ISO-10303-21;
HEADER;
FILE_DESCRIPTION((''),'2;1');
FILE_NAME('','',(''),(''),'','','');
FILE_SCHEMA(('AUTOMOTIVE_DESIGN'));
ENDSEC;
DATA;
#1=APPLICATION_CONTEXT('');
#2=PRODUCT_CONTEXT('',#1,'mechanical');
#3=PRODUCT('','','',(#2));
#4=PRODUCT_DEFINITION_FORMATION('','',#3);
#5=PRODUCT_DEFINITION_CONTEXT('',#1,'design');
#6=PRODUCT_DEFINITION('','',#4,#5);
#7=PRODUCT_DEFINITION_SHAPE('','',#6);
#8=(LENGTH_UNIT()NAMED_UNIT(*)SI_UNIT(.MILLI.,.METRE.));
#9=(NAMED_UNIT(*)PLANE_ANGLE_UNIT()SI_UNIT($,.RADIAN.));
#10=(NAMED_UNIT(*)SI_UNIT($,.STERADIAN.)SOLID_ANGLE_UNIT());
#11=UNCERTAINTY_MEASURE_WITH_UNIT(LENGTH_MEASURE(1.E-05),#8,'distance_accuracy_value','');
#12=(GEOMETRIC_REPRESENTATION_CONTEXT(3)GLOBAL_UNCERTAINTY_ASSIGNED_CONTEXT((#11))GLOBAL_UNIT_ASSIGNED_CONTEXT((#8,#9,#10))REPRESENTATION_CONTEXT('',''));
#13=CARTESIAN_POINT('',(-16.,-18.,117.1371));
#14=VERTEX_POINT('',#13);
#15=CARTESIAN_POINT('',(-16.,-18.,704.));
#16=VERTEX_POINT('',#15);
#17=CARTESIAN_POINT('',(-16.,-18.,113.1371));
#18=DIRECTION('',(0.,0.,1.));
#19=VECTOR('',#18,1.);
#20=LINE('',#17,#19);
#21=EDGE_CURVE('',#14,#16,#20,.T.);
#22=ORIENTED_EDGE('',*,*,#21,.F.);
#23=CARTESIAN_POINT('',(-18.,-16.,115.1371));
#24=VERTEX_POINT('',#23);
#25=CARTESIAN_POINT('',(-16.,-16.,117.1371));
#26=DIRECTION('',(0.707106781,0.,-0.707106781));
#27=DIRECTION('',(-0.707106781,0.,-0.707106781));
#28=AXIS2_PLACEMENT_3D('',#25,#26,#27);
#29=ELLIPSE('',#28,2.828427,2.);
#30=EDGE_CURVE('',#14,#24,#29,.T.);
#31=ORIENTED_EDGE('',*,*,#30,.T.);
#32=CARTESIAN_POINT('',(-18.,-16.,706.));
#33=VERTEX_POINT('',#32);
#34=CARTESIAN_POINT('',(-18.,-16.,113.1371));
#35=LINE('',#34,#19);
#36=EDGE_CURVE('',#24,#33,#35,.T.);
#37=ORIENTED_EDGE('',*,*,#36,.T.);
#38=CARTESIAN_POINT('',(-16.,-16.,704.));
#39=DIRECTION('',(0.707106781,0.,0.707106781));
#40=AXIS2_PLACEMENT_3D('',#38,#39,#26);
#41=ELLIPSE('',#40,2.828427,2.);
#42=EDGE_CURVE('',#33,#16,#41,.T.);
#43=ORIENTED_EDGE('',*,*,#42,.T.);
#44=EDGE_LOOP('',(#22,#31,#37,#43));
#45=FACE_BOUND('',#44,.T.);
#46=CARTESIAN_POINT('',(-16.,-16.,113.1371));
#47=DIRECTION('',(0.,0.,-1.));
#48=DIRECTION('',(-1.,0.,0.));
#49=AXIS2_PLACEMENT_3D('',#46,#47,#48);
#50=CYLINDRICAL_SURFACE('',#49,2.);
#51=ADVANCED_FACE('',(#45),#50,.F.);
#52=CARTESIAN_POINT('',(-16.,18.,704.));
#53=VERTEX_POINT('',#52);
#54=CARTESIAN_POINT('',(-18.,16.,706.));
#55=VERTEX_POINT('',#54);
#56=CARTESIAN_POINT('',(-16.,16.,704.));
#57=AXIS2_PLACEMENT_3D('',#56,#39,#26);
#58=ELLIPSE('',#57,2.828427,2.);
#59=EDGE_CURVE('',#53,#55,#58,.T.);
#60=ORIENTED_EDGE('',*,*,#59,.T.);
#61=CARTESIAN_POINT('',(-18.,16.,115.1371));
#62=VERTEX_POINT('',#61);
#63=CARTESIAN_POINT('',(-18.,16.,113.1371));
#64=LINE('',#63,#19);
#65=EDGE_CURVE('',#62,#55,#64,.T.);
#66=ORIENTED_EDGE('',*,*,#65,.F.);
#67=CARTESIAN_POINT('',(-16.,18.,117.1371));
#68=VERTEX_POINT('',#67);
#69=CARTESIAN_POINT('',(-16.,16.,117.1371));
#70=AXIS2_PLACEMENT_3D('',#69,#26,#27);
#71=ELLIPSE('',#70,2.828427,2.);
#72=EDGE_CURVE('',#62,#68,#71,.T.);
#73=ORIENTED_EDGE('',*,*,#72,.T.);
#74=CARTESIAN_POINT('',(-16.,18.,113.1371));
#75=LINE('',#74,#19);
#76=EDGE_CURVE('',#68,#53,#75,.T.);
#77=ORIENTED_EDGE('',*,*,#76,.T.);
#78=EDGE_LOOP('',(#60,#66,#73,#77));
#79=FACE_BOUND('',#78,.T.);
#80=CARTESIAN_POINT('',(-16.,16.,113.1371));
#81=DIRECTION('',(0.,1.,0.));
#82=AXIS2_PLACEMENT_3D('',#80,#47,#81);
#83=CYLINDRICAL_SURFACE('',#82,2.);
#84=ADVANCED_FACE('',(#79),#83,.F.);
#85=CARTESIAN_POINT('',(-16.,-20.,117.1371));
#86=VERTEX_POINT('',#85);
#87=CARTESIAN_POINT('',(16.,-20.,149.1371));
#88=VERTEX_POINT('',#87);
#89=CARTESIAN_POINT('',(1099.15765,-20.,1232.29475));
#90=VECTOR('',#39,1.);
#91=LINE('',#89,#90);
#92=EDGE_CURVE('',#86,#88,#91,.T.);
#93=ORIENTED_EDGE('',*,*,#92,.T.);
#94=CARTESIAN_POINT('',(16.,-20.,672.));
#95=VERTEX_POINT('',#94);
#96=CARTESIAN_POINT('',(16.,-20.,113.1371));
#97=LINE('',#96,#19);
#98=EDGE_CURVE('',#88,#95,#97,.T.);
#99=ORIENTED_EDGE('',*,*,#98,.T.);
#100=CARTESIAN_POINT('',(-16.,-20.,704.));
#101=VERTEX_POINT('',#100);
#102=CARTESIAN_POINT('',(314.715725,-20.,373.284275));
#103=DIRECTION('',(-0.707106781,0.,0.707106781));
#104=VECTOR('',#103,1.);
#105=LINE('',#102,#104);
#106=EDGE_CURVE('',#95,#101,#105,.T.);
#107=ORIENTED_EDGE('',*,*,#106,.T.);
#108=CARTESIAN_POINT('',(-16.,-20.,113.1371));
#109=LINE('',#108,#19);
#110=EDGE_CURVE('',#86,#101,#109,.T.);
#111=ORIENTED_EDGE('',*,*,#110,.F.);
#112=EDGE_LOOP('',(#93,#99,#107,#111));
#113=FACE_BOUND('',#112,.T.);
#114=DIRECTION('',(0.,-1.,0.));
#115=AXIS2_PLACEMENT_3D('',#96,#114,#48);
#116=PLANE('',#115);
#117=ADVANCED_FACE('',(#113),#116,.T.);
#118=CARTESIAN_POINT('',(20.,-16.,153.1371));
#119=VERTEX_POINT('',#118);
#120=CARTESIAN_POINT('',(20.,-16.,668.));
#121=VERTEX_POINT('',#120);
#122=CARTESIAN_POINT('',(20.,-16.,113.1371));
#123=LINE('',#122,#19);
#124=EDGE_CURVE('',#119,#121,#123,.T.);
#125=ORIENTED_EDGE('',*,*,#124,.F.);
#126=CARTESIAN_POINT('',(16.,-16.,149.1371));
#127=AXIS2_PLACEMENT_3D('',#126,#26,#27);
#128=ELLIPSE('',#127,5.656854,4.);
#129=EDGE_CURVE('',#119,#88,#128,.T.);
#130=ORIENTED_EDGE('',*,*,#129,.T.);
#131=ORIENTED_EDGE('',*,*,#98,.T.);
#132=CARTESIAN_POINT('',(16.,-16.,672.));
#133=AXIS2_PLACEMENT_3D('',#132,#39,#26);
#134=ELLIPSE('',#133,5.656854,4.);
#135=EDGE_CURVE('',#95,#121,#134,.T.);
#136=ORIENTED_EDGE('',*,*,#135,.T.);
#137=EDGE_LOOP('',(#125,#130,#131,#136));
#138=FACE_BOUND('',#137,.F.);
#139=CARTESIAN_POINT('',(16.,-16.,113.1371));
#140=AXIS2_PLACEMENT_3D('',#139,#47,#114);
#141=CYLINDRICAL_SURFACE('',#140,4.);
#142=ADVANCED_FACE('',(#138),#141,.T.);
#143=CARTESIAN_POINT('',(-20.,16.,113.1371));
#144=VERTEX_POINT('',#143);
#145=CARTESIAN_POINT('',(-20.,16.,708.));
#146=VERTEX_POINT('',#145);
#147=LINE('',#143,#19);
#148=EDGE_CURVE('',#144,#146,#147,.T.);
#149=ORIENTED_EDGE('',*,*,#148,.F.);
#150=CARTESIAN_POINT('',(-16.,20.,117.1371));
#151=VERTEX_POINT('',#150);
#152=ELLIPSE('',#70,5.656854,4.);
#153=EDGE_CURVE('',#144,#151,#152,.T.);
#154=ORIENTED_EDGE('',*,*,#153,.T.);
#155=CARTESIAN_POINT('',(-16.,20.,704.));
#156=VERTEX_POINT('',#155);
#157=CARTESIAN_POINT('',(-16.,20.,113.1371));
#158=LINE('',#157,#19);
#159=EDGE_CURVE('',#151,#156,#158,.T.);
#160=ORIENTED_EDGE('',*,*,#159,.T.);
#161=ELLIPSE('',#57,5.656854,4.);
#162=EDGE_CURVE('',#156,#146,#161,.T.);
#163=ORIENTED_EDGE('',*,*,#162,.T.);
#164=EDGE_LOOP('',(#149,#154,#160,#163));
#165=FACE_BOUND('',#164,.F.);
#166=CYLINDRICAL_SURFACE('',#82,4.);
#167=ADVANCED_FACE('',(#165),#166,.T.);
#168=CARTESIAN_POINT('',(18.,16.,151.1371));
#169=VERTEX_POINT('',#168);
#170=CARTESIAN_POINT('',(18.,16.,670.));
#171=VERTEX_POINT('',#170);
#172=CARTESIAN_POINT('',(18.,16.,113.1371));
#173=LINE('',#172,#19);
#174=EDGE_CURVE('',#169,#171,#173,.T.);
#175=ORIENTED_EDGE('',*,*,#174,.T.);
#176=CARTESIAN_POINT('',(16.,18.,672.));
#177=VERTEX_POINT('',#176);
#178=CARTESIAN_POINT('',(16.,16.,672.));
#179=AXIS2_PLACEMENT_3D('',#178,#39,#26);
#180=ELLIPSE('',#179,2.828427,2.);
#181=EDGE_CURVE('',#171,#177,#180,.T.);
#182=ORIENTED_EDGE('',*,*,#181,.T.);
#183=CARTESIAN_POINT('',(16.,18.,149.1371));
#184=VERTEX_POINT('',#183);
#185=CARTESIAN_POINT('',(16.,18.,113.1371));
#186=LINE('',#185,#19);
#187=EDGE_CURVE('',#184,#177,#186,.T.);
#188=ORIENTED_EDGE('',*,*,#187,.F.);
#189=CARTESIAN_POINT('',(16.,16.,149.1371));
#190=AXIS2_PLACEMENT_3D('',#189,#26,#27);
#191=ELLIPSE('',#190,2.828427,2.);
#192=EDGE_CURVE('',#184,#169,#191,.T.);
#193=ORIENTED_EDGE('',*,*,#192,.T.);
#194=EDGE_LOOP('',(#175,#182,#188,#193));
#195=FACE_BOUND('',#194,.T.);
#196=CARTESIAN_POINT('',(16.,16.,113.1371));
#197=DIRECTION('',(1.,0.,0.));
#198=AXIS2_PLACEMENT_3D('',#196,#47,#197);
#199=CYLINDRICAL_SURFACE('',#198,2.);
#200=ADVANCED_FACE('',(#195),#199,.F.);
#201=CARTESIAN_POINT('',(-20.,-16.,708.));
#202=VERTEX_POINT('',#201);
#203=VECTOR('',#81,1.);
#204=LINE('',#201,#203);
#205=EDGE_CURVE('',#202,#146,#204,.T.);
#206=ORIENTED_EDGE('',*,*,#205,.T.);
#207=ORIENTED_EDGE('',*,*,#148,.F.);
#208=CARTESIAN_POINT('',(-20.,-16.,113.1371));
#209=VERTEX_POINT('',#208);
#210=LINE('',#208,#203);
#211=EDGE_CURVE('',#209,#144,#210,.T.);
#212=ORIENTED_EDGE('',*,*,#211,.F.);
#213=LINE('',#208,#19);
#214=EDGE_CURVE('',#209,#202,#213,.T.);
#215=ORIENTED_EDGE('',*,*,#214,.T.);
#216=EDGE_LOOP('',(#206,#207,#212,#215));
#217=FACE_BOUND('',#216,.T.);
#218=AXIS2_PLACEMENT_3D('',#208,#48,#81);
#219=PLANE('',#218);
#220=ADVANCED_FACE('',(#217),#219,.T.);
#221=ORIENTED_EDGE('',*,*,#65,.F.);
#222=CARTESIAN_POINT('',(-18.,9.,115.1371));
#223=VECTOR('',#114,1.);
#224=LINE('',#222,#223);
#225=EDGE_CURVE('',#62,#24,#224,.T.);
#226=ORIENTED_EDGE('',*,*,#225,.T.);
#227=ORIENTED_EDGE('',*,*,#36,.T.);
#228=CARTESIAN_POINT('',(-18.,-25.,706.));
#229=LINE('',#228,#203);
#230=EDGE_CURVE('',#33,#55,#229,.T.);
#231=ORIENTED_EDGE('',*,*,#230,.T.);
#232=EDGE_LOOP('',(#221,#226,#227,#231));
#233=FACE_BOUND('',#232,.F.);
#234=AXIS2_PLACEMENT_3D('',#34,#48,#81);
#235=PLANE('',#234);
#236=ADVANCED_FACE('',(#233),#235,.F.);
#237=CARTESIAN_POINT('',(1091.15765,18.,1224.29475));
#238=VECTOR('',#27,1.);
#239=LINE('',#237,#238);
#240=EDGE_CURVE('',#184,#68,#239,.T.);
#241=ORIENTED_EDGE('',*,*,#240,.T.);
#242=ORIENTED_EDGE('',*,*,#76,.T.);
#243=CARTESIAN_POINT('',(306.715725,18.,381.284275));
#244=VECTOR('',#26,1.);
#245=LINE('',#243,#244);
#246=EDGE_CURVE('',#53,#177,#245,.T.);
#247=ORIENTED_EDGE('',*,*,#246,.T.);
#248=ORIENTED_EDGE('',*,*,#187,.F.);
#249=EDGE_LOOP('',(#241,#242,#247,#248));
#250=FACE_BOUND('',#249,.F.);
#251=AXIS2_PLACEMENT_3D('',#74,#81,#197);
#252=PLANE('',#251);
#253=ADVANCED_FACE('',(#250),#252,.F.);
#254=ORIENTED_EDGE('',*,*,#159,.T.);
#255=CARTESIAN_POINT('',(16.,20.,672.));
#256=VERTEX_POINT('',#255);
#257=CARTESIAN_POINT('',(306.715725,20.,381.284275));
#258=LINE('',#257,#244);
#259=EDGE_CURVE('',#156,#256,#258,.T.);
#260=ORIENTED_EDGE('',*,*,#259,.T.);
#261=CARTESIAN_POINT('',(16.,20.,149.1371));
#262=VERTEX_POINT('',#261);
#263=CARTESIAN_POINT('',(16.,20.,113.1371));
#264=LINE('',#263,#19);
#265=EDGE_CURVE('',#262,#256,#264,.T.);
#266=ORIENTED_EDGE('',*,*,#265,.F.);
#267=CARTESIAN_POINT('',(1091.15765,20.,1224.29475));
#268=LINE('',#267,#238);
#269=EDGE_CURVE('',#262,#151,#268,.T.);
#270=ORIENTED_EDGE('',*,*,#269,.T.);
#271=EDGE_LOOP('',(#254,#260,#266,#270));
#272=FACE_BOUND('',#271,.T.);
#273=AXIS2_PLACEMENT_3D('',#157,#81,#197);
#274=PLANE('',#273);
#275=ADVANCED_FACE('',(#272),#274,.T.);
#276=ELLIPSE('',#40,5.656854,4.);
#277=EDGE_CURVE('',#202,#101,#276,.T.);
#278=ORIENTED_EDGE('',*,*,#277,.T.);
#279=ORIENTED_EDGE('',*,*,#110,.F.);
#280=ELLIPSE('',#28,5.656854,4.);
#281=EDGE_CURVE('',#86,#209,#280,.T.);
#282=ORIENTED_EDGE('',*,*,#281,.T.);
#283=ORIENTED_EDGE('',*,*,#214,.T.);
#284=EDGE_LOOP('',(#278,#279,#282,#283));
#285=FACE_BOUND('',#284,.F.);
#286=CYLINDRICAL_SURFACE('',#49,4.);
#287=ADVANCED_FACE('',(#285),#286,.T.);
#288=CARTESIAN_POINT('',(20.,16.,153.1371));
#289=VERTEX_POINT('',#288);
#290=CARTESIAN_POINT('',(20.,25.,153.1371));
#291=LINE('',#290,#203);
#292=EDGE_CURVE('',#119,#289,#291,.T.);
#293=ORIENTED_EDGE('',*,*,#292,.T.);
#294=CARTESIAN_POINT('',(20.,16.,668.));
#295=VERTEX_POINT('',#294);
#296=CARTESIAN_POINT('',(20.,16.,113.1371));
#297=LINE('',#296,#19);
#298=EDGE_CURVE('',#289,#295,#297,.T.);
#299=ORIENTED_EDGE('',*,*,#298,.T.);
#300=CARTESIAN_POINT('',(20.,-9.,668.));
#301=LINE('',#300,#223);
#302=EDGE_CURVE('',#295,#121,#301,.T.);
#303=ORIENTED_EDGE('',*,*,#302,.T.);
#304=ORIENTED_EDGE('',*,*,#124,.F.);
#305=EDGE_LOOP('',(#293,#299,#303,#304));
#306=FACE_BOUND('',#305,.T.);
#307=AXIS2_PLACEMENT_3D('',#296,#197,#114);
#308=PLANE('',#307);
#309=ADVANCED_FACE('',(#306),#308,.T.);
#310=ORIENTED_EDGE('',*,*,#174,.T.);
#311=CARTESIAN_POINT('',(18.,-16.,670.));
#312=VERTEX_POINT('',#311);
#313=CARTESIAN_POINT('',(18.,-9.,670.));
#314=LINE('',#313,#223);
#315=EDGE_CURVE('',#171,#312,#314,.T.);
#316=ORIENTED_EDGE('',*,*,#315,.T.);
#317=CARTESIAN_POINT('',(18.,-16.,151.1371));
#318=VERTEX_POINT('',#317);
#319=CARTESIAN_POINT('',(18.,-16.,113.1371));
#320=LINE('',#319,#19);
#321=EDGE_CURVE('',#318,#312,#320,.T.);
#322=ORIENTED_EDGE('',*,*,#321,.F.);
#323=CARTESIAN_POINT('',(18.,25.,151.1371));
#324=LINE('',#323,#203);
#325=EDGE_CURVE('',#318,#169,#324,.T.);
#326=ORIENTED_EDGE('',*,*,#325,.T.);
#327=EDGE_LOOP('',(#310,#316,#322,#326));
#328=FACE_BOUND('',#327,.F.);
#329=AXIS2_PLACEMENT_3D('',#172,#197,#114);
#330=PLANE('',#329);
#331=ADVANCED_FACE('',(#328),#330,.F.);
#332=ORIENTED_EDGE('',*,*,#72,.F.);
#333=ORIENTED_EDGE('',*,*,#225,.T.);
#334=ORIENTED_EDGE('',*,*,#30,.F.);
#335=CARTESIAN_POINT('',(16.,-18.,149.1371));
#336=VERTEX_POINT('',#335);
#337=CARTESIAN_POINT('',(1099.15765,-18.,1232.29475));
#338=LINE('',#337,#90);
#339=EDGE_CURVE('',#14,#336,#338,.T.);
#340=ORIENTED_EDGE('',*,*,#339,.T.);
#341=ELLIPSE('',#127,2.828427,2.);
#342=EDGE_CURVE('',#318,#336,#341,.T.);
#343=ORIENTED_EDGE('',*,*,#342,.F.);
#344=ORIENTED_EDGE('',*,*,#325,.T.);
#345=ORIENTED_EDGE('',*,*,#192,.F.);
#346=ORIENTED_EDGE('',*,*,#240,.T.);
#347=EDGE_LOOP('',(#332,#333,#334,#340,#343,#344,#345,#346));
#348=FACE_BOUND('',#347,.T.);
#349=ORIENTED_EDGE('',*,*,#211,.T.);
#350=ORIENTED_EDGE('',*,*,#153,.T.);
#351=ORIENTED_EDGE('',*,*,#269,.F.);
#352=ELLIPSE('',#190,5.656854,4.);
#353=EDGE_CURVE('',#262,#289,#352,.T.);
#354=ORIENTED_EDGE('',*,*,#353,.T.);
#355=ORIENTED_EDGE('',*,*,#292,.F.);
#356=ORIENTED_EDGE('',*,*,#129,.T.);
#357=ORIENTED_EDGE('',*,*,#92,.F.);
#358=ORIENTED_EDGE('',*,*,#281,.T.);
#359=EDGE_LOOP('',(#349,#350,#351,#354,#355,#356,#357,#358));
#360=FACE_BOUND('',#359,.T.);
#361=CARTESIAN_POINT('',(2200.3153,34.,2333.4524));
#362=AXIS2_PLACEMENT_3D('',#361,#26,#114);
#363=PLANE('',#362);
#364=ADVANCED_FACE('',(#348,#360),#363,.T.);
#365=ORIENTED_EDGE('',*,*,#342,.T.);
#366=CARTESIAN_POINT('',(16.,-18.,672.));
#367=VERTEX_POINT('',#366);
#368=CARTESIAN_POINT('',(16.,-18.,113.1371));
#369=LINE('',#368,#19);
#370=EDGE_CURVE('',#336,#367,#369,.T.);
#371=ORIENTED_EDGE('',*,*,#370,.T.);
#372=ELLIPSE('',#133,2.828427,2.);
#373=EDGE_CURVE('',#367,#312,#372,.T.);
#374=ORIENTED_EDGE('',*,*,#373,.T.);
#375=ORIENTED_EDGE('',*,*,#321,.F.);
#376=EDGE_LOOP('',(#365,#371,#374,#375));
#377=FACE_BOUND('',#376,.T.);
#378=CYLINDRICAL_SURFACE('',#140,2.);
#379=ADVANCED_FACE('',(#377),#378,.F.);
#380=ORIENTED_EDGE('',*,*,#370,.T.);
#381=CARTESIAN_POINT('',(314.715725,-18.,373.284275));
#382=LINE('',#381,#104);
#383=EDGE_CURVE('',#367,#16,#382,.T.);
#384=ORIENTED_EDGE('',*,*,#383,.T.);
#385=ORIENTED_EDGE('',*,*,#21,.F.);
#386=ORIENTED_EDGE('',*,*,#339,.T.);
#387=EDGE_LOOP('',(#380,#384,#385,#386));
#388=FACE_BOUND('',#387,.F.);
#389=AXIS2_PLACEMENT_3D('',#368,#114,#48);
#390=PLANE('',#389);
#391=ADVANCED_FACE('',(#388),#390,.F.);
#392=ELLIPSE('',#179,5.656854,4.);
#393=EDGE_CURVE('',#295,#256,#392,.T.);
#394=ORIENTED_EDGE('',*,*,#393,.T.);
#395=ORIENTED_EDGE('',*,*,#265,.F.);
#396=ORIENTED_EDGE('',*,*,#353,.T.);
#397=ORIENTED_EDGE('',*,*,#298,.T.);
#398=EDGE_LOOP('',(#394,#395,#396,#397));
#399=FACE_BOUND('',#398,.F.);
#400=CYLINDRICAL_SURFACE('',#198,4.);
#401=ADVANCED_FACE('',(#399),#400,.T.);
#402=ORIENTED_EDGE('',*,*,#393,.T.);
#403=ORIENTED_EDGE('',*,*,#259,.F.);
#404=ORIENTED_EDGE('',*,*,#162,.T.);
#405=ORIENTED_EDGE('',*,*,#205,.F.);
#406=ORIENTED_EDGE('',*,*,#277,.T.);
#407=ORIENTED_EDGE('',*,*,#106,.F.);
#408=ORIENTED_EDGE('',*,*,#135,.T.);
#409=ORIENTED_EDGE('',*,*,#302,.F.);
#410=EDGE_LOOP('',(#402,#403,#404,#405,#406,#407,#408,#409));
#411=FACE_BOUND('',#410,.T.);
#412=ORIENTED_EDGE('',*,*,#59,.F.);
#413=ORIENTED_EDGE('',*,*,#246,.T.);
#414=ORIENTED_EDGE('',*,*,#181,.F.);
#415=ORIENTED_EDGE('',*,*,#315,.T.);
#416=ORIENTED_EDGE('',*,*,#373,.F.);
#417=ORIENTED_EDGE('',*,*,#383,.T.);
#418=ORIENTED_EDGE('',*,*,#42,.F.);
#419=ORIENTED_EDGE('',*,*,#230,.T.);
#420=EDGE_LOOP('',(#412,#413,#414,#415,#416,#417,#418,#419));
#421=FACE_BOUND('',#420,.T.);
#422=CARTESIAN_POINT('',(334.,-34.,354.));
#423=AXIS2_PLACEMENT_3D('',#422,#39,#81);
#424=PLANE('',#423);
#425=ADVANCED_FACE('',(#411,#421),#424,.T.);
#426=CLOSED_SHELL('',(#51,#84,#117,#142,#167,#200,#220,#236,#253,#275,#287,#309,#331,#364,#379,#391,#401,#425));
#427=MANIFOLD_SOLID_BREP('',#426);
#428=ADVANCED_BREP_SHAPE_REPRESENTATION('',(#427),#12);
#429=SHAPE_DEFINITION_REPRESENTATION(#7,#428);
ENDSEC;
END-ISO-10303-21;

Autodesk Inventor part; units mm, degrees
ref_plane "Start Plane" through (0, 0, 113.1371) normal (0, 0, 1) x (1, 0, 0)
ref_plane "End Plane" through (0, 0, 708) normal (0, 0, 1) x (1, 0, 0)
sketch "Sketch" plane through (0, 0, 0) normal (0, 0, 1) x (1, 0, 0)
  line L0 (-20, -16) -> (-20, 16)
  line L1 (-16, 20) -> (16, 20)
  line L2 (20, 16) -> (20, -16)
  line L3 (16, -20) -> (-16, -20)
  arc A0 (-20, -16) -> (-16, -20) centre (-16, -16) ccw
  arc A1 (20, 16) -> (16, 20) centre (16, 16) ccw
  arc A2 (-16, 20) -> (-20, 16) centre (-16, 16) ccw
  arc A3 (16, -20) -> (20, -16) centre (16, -16) ccw
  arc A4 (-16, 18) -> (-18, 16) centre (-16, 16) ccw
  line L4 (-16, 18) -> (16, 18)
  arc A5 (18, 16) -> (16, 18) centre (16, 16) ccw
  line L5 (18, 16) -> (18, -16)
  arc A6 (16, -18) -> (18, -16) centre (16, -16) ccw
  line L6 (16, -18) -> (-16, -18)
  arc A7 (-18, -16) -> (-16, -18) centre (-16, -16) ccw
  line L7 (-18, -16) -> (-18, 16)
  line L8 (0, 29.1598) -> (0, -29.1598) construction
  line L9 (-29.1598, 0) -> (29.1598, 0) construction
  dimension "d7" = 4
  dimension "d9" = 40
  dimension "d11" = 40
  dimension "d12" = 2
  dimension "d15" = 20
  dimension "d16" = 20
extrude "Body" add sketch "Sketch" along normal up to surface (594.8629 mm away) from surface at 113.1371
sketch "Sketch3" plane through (0, 0, 0) normal (0, 0, 1) x (1, 0, 0)
  line L0 (0, 0) -> (10, 0)
ref_plane "Work Plane3" through (0, 0, 0) normal (0, -1, 0) x (1, 0, 0)
ref_plane "Work Plane4" through (2200.3153, 34, 2333.4524) normal (0.7071, 0, -0.7071) x (-0.7071, 0, -0.7071)
split "Split1" plane through (2200.3153, 34, 2333.4524) removes the side toward (0.7071, 0, -0.7071)
ref_plane "Work Plane5" through (334, -34, 354) normal (0.7071, 0, 0.7071) x (0.7071, 0, -0.7071)
split "Split2" plane through (334, -34, 354) removes the side toward (0.7071, 0, 0.7071)
sketch "Sketch4" plane through (0, 0, 0) normal (0, -1, 0) x (1, 0, 0)
  line L0 (-2, 113.1371) -> (12, 113.1371) projected
  line L1 (-2, 708) -> (12, 708) projected
  dimension "d18" = 594.8629
equation "\"d7\" = G_IR"
equation "\"d9\" = G_W"
equation "\"d11\" = G_H"
equation "\"d12\" = G_T"
equation "\"d15\" = 0.5 * d9"
equation "\"d16\" = 0.5 * d11"
equation "\"d3\" = G_L"
equation "\"G_W\" = 40"
equation "\"G_H\" = 40"
equation "\"G_T\" = 2"
equation "\"G_IR\" = 4"
equation "\"G_L\" = d18"
equation "\"G_OFFSET_START\" = -113.13708"
equation "\"G_OFFSET_END\" = 0"
equation "\"d13\" = -G_OFFSET_START"
equation "\"d14\" = G_OFFSET_END + B_L"
equation "\"B_L\" = 708"
properties part number "ISO 10799-2 - 40x40x2 - 594,86" material "Steel, Mild"
